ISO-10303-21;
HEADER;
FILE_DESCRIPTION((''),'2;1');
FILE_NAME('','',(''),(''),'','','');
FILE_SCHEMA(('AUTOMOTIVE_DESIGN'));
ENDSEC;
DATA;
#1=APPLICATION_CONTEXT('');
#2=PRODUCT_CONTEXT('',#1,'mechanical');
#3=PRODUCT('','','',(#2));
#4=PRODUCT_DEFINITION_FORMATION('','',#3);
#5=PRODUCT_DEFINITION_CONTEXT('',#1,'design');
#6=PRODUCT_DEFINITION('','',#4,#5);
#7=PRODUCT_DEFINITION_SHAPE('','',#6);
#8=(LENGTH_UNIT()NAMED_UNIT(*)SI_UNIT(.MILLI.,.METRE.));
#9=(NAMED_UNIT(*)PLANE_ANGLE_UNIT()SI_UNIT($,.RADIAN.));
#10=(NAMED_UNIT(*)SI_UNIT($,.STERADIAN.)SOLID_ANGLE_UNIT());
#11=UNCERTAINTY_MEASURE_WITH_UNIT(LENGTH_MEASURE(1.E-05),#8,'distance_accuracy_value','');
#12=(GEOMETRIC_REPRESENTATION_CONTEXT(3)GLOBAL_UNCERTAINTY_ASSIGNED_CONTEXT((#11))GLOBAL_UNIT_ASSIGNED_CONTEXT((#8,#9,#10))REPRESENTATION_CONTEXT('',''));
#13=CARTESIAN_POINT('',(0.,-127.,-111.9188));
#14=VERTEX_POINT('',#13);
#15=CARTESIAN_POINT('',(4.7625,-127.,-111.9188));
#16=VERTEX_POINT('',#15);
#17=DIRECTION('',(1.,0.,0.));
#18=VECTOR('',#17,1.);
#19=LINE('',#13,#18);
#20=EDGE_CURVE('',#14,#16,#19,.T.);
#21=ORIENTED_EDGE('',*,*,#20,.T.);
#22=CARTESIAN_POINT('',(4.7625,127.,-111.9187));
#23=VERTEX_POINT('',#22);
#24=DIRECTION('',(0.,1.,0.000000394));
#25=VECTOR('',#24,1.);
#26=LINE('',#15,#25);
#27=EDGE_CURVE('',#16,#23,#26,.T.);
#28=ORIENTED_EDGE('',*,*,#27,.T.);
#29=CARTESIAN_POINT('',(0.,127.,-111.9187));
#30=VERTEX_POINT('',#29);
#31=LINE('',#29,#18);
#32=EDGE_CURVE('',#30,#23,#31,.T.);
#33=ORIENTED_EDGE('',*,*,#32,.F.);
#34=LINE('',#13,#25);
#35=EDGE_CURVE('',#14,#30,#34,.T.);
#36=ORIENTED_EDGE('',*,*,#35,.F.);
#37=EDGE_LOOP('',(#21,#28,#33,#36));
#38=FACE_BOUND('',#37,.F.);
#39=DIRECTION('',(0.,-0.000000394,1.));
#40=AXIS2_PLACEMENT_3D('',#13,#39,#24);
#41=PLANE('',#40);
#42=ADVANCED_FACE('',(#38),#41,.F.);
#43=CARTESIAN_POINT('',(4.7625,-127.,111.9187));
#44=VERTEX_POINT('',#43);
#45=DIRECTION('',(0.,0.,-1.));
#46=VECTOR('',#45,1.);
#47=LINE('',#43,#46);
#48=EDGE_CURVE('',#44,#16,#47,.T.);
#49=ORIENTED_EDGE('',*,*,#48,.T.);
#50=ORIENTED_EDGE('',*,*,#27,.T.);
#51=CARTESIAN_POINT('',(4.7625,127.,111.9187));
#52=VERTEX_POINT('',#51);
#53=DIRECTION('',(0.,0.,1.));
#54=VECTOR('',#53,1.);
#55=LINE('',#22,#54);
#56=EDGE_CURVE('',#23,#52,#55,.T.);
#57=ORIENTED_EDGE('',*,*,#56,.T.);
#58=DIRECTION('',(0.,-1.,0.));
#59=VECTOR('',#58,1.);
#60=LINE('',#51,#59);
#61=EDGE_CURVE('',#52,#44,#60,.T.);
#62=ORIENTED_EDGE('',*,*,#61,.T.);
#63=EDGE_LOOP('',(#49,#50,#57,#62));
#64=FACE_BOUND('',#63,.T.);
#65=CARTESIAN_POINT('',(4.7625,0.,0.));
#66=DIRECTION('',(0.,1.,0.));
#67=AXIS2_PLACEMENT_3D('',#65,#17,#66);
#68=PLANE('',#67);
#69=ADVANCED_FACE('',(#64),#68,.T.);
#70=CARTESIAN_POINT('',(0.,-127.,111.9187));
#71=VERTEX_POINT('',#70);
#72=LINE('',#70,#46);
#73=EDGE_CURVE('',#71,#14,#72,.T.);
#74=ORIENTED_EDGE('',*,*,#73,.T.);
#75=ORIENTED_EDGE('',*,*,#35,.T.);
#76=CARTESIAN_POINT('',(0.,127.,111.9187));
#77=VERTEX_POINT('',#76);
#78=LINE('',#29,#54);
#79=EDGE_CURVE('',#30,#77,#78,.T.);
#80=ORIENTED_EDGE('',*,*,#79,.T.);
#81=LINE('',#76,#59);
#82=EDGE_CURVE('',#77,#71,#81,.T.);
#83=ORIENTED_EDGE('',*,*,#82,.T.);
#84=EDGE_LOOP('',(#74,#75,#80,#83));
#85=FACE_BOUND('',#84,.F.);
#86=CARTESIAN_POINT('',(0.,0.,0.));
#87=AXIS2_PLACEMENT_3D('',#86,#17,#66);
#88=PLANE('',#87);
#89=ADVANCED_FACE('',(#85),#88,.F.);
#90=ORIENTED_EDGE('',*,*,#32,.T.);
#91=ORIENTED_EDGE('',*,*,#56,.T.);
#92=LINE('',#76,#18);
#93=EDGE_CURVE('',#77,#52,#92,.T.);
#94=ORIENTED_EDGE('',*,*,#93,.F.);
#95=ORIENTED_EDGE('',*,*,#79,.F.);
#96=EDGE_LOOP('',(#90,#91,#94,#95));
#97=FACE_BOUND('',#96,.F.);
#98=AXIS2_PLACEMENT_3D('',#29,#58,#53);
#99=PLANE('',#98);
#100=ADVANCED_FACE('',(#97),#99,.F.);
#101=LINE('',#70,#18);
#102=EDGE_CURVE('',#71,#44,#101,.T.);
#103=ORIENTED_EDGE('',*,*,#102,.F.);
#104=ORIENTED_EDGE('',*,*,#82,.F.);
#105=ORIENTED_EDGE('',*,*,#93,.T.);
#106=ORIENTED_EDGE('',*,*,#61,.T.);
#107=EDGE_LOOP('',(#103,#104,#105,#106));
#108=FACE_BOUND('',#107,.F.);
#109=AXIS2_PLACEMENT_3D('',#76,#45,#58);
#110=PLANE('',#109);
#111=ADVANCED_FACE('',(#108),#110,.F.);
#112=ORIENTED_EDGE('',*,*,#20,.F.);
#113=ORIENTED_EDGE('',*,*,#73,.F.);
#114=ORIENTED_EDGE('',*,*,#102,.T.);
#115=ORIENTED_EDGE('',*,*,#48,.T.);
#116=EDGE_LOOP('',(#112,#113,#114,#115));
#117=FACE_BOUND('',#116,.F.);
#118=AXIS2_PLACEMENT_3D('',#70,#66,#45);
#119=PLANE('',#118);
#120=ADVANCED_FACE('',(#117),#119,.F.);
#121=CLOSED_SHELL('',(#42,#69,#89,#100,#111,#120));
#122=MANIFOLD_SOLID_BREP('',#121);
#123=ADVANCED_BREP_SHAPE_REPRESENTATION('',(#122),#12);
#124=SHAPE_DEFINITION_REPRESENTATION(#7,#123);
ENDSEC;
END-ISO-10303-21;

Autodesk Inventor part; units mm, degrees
ref_plane "YZ Plane" through (0, 0, 0) normal (1, 0, 0) x (0, 1, 0)
ref_plane "XZ Plane" through (0, 0, 0) normal (0, 1, 0) x (-1, 0, 0)
ref_plane "XY Plane" through (0, 0, 0) normal (0, 0, 1) x (1, 0, 0)
sketch "Sketch1" plane through (0, 0, 0) normal (1, 0, 0) x (0, 1, 0)
  line L0 (127, 111.9187) -> (-127, 111.9187)
  line L1 (-127, 111.9187) -> (-127, -111.9188)
  line L2 (-127, -111.9188) -> (127, -111.9187)
  line L3 (127, -111.9187) -> (127, 111.9187)
  line L4 (127, 111.9187) -> (-127, -111.9188) construction
  line L5 (-127, 111.9187) -> (127, -111.9187) construction
  point P0 (0, 0)
  dimension "d0" = 223.8375
  dimension "d1" = 254
extrude "Plate1" add sketch "Sketch1" along normal blind 4.7625
equation "\"BendRadius\" = Thickness"
equation "\"BendReliefWidth\" = Thickness"
equation "\"BendReliefDepth\" = 0.5 * Thickness"
equation "\"CornerReliefSize\" = 4 * Thickness"
equation "\"MinimumRemnant\" = 2 * Thickness"
equation "\"TransitionRadius\" = BendRadius"
equation "\"JacobiRadiusSize\" = BendRadius"
equation "\"GapSize\" = Thickness"
equation "\"d2\" = BendRadius"
equation "\"Thickness\" = 4.7625"
properties part number "RearInnerTLeftRight" material "Steel, Mild"
